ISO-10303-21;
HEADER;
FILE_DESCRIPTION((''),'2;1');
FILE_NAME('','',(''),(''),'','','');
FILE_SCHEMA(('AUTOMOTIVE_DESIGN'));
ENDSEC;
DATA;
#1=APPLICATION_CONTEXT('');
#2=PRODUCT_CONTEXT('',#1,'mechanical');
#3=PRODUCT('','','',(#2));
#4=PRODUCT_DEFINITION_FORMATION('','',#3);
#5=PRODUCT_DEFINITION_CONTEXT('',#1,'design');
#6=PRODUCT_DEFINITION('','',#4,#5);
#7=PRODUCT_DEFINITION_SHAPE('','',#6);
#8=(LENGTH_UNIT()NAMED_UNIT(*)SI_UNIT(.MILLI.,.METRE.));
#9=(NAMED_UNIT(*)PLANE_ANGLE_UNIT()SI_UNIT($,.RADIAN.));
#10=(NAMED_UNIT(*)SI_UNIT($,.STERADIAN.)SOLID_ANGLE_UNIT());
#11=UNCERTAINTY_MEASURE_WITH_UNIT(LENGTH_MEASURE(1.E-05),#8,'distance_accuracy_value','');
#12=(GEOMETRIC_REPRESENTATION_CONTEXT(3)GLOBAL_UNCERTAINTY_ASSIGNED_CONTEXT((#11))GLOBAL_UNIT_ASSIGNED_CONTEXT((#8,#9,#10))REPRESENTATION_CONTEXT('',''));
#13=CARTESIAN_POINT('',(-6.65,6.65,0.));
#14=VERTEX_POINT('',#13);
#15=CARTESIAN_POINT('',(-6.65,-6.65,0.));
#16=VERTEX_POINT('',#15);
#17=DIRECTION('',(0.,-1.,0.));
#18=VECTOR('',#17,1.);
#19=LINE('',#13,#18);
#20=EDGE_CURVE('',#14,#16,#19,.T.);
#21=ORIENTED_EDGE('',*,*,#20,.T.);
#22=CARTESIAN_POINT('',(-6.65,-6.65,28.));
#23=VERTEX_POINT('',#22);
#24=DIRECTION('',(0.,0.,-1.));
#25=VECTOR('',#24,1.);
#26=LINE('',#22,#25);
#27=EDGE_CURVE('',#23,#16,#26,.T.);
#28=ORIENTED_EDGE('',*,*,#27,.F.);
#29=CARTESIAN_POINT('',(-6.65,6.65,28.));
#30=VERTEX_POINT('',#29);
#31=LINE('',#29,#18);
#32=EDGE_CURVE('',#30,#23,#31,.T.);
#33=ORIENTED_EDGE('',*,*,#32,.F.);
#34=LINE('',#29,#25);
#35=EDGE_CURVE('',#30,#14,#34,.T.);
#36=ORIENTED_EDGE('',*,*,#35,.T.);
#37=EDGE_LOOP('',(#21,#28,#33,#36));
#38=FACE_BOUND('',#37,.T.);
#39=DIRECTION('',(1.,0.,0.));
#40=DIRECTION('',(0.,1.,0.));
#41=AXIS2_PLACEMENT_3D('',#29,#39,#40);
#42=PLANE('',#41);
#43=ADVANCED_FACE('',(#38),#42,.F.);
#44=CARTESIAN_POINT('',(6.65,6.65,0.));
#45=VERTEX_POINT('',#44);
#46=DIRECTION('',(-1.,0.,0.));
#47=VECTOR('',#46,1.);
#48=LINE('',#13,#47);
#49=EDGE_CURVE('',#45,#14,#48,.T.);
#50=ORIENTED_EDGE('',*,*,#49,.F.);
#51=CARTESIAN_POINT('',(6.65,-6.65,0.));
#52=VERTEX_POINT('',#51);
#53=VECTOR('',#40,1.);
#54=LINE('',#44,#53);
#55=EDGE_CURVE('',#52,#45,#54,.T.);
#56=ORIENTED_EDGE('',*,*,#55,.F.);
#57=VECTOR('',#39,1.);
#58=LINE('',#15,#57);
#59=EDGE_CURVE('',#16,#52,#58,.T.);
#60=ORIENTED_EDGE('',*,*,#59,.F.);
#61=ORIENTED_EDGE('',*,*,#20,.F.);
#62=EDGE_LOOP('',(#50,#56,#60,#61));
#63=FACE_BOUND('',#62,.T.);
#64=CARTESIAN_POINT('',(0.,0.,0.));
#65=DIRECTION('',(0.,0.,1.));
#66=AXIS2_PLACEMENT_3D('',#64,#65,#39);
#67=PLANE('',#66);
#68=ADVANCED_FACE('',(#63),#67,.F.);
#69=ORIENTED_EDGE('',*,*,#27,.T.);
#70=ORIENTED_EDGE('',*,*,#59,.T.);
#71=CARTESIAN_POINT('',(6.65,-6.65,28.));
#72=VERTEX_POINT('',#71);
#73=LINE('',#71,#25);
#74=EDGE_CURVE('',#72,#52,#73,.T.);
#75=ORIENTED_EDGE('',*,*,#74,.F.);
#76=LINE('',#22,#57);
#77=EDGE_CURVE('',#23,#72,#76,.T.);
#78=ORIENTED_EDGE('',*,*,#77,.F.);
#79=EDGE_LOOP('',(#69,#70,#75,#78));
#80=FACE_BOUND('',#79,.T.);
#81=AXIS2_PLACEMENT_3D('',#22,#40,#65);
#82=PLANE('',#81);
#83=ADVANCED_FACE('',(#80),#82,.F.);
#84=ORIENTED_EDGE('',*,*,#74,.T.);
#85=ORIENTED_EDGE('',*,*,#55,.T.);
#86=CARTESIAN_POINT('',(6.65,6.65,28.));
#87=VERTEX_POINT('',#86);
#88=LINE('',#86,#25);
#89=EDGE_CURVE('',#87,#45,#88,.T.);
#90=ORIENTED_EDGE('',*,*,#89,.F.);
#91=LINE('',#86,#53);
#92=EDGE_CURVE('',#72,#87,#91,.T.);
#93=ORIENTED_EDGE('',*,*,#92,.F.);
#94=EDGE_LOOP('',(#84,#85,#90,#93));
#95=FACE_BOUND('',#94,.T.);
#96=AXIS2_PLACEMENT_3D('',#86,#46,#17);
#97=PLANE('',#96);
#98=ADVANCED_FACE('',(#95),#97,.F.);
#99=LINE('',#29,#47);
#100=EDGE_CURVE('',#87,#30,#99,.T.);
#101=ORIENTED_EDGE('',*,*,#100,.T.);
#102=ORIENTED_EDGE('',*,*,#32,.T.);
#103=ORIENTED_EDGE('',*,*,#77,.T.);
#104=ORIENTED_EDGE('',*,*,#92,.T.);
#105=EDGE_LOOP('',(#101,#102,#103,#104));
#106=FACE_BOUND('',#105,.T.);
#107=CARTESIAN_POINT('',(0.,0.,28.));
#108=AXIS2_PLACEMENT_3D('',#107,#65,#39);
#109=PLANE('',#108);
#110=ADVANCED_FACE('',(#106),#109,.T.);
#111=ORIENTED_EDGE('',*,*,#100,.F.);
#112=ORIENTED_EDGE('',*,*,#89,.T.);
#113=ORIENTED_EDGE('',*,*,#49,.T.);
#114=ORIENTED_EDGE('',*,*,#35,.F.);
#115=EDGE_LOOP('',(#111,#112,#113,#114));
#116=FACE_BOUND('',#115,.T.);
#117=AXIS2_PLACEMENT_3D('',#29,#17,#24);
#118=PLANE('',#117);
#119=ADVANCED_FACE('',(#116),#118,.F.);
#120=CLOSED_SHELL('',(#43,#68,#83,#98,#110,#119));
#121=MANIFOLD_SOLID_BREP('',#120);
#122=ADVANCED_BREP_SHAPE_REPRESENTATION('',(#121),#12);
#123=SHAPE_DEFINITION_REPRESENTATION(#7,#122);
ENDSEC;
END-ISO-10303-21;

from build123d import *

# Parameters (mm, degrees)
SKETCH_1_W      = 13.3
SKETCH_1_H      = 13.3
EXTRUDE_1_DEPTH = 28


with BuildPart() as part:
    # Эскиз1 → Бобышка-Вытянуть1 (new body)
    with BuildSketch(Plane.XY):
        Rectangle(SKETCH_1_W, SKETCH_1_H)
    extrude(amount=EXTRUDE_1_DEPTH)


solid = part.part
